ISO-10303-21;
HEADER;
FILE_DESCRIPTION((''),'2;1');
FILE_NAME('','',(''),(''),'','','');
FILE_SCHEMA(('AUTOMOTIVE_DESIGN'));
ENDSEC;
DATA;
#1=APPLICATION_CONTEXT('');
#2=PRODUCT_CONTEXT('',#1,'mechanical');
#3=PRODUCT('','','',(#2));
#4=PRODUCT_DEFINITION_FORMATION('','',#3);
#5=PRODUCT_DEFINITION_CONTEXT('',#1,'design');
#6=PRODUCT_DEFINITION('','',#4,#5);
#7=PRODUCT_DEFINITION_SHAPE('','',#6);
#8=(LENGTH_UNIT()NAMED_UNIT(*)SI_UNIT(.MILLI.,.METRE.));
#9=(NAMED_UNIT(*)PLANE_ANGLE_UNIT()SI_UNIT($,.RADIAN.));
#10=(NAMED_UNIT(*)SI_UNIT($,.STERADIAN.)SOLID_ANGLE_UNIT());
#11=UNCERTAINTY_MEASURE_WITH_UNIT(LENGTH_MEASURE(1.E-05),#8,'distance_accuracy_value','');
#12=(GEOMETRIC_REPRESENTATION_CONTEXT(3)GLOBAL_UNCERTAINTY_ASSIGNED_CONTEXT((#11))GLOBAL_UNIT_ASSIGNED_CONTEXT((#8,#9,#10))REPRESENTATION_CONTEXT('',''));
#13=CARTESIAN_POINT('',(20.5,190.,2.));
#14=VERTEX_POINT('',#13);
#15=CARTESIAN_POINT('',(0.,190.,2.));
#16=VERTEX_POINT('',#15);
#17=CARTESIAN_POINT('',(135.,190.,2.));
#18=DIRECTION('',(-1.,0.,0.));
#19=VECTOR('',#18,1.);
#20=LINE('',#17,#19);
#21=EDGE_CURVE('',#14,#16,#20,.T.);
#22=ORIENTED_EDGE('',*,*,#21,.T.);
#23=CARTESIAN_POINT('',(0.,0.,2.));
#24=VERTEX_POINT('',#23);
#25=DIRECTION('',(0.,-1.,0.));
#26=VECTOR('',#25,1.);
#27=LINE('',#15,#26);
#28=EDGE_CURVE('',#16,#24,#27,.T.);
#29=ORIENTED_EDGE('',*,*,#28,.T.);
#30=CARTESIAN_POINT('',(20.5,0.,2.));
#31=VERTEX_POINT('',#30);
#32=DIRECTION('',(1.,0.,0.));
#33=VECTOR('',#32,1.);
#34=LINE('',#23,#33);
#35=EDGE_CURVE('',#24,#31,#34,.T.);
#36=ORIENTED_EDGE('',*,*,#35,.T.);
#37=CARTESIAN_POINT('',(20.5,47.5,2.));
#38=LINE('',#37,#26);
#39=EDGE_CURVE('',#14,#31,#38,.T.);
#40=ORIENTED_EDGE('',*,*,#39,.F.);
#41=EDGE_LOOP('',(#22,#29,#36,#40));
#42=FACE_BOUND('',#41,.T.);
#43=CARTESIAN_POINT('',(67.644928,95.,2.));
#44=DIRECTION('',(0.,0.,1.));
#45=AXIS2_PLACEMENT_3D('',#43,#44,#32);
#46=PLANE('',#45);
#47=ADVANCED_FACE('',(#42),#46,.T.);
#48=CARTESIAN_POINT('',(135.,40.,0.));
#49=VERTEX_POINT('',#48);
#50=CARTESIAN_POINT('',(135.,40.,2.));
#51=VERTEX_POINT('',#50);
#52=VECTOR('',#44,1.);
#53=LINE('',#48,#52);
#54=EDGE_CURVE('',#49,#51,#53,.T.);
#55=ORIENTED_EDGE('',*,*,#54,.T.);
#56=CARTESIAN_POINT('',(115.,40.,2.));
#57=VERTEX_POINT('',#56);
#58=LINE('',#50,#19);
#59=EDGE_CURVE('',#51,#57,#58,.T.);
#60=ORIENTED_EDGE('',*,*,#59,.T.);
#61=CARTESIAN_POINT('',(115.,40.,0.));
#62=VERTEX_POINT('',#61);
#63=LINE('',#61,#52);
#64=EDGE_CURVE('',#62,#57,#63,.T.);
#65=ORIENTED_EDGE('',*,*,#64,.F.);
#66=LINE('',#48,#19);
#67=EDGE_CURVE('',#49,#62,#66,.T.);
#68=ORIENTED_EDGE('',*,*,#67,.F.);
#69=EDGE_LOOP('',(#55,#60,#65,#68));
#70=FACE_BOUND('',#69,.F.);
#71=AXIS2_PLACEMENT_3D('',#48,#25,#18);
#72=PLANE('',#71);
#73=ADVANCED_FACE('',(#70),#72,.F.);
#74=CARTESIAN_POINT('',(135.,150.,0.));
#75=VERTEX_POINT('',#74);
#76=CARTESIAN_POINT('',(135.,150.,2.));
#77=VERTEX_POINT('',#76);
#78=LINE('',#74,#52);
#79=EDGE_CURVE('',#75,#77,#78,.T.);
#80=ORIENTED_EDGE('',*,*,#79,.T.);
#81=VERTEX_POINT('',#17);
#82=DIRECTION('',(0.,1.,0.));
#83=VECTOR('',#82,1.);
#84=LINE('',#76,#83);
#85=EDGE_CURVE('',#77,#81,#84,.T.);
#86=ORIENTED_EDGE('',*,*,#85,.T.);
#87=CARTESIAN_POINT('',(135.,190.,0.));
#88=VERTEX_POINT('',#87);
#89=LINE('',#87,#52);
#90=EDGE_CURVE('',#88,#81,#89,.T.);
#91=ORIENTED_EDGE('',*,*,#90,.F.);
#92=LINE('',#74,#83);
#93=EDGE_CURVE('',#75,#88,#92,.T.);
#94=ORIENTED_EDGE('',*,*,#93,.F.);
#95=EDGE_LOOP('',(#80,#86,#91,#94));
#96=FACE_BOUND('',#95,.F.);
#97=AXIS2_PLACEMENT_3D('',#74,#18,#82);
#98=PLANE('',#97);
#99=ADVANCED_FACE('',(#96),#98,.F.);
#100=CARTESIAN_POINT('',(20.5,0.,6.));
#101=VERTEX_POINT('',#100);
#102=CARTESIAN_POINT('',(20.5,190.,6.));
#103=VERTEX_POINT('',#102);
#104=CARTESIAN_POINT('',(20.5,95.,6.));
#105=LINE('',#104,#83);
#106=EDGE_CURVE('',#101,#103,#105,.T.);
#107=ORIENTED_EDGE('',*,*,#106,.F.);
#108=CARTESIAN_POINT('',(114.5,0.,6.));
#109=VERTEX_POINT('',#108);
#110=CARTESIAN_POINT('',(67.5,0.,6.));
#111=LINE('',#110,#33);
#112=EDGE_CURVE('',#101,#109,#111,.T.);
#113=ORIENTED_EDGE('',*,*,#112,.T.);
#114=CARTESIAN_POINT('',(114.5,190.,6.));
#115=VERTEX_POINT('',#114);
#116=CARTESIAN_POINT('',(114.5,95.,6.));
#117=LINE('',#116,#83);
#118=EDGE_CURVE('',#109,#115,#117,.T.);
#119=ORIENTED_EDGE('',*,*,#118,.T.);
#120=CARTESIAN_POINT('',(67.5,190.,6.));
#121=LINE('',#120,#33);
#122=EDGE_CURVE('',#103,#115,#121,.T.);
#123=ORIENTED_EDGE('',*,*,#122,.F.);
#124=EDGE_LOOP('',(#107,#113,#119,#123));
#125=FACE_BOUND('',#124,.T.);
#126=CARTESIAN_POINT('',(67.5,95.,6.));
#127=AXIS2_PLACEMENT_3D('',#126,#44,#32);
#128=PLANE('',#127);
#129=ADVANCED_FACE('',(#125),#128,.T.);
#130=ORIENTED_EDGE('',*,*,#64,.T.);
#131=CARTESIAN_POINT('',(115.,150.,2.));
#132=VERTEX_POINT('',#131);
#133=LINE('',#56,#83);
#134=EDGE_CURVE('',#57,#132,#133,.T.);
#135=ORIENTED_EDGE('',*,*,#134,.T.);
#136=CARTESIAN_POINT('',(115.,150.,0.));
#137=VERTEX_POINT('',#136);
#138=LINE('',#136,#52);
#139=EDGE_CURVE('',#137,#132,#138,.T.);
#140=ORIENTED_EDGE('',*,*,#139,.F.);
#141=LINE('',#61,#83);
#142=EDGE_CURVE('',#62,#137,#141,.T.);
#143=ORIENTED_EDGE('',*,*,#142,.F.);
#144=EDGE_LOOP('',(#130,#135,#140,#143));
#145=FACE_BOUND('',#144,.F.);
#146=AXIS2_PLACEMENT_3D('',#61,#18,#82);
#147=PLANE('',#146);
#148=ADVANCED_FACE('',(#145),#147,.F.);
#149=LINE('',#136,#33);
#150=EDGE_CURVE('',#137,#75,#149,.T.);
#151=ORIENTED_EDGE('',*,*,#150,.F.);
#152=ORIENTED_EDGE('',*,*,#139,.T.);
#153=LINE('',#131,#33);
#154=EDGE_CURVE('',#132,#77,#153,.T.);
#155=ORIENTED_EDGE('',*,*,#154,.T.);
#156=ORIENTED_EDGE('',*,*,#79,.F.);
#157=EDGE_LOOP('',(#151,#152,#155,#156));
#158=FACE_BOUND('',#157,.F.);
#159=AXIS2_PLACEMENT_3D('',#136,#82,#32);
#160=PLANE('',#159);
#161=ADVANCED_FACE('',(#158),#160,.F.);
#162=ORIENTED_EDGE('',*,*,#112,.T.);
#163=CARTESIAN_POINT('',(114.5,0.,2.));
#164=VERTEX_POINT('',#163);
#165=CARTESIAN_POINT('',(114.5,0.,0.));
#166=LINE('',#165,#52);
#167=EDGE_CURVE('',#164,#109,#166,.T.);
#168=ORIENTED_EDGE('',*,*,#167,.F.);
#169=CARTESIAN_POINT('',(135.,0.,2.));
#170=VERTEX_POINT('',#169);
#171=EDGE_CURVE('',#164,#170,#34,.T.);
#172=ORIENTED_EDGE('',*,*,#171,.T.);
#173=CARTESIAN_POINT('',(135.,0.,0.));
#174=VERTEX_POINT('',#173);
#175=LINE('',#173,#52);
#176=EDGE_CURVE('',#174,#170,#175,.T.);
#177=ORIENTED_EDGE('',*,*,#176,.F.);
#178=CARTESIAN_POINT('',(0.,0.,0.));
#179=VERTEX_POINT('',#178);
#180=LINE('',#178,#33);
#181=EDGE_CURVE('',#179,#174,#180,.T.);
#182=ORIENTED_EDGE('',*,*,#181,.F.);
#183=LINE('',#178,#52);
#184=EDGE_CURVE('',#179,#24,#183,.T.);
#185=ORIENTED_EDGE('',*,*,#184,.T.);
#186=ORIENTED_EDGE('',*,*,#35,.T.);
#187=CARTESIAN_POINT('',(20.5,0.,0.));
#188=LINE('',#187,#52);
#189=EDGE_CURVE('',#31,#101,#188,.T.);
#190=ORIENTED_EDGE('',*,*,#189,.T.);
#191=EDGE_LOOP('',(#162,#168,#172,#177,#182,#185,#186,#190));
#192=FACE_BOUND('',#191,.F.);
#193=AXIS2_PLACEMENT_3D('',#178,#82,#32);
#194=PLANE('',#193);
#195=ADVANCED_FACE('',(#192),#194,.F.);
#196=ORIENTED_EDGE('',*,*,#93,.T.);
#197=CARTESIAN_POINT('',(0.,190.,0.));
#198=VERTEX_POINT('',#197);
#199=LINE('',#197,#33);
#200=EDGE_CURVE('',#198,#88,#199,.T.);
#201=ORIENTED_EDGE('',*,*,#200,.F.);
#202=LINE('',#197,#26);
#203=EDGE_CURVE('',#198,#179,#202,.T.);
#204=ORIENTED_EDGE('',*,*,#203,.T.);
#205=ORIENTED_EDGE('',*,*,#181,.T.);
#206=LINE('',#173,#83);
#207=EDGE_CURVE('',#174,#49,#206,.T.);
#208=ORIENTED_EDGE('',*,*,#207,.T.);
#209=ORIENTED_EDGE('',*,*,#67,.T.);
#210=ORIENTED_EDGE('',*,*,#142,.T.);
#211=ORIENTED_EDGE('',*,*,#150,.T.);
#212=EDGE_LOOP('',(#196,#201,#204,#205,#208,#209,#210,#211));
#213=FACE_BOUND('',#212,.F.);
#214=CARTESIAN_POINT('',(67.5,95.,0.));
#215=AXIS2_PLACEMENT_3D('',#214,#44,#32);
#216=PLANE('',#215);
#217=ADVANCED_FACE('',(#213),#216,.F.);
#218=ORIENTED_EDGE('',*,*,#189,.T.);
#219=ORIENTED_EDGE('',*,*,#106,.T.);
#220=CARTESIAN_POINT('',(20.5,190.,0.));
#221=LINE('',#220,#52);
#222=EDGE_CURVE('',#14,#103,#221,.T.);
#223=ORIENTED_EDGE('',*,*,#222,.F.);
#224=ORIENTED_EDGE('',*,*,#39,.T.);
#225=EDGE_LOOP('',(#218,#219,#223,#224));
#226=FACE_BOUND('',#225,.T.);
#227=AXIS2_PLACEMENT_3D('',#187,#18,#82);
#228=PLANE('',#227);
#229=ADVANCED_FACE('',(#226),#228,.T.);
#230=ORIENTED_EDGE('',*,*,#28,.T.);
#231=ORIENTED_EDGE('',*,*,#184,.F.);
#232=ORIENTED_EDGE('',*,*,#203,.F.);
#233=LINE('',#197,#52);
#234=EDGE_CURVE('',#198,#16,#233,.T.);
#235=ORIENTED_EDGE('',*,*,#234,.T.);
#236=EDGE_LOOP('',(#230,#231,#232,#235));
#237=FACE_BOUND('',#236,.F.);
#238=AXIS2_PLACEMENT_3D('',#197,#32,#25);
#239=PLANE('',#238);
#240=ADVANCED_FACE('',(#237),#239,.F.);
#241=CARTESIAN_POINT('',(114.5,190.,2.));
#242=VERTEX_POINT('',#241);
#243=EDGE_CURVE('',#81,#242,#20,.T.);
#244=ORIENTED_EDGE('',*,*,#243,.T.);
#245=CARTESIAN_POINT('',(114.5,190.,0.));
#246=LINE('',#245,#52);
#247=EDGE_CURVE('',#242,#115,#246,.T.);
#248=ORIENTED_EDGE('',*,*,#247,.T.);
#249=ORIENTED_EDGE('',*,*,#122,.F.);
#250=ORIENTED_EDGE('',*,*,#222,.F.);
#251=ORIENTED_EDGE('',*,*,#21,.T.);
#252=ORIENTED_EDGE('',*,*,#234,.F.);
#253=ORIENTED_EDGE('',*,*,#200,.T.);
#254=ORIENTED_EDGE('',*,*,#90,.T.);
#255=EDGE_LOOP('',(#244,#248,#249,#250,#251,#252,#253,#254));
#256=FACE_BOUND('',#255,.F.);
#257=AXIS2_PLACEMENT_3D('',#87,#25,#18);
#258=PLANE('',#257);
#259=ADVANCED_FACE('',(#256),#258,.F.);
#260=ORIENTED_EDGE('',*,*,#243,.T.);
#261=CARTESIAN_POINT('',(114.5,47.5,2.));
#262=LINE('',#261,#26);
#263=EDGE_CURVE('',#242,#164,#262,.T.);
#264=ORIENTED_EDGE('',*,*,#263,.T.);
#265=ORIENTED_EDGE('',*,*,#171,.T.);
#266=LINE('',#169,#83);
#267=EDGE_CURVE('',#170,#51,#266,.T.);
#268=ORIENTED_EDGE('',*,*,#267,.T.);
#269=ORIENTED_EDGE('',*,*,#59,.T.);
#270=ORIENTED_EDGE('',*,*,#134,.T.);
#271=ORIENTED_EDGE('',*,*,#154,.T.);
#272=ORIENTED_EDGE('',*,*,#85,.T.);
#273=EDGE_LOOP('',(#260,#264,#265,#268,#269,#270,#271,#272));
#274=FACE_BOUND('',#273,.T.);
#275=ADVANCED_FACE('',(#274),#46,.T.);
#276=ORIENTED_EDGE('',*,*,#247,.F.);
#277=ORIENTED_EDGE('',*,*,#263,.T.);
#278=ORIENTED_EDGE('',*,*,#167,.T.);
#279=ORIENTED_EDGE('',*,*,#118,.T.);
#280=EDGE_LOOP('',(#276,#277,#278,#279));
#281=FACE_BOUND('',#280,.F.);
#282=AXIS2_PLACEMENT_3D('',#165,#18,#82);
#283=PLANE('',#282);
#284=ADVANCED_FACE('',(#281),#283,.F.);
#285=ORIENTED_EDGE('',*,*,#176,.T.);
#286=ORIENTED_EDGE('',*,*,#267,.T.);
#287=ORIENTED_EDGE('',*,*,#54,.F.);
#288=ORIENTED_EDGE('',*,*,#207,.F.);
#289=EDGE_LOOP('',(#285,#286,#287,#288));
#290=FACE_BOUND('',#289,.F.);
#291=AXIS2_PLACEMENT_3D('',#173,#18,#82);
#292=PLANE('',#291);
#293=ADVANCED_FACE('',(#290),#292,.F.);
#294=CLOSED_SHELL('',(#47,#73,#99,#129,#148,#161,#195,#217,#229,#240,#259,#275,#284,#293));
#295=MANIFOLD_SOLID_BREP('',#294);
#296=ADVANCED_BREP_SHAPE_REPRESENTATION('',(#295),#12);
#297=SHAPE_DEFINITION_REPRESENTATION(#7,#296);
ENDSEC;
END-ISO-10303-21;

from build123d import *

# Parameters (mm, degrees)
PAD_DEPTH    = 2
SKETCH004_W  = 94
SKETCH004_H  = 190
PAD001_DEPTH = 6


with BuildPart() as part:
    # Sketch001 → Pad (new body)
    with BuildSketch(Plane.XY):
        Polygon((0, 0), (135, 0), (135, 40), (115, 40), (115, 150), (135, 150), (135, 190), (0, 190), align=None)
    extrude(amount=PAD_DEPTH)

    # Sketch004 → Pad001 (join)
    with BuildSketch(Plane.XY):
        with Locations((67.5, 95)):
            Rectangle(SKETCH004_W, SKETCH004_H)
    extrude(amount=PAD001_DEPTH)


solid = part.part
